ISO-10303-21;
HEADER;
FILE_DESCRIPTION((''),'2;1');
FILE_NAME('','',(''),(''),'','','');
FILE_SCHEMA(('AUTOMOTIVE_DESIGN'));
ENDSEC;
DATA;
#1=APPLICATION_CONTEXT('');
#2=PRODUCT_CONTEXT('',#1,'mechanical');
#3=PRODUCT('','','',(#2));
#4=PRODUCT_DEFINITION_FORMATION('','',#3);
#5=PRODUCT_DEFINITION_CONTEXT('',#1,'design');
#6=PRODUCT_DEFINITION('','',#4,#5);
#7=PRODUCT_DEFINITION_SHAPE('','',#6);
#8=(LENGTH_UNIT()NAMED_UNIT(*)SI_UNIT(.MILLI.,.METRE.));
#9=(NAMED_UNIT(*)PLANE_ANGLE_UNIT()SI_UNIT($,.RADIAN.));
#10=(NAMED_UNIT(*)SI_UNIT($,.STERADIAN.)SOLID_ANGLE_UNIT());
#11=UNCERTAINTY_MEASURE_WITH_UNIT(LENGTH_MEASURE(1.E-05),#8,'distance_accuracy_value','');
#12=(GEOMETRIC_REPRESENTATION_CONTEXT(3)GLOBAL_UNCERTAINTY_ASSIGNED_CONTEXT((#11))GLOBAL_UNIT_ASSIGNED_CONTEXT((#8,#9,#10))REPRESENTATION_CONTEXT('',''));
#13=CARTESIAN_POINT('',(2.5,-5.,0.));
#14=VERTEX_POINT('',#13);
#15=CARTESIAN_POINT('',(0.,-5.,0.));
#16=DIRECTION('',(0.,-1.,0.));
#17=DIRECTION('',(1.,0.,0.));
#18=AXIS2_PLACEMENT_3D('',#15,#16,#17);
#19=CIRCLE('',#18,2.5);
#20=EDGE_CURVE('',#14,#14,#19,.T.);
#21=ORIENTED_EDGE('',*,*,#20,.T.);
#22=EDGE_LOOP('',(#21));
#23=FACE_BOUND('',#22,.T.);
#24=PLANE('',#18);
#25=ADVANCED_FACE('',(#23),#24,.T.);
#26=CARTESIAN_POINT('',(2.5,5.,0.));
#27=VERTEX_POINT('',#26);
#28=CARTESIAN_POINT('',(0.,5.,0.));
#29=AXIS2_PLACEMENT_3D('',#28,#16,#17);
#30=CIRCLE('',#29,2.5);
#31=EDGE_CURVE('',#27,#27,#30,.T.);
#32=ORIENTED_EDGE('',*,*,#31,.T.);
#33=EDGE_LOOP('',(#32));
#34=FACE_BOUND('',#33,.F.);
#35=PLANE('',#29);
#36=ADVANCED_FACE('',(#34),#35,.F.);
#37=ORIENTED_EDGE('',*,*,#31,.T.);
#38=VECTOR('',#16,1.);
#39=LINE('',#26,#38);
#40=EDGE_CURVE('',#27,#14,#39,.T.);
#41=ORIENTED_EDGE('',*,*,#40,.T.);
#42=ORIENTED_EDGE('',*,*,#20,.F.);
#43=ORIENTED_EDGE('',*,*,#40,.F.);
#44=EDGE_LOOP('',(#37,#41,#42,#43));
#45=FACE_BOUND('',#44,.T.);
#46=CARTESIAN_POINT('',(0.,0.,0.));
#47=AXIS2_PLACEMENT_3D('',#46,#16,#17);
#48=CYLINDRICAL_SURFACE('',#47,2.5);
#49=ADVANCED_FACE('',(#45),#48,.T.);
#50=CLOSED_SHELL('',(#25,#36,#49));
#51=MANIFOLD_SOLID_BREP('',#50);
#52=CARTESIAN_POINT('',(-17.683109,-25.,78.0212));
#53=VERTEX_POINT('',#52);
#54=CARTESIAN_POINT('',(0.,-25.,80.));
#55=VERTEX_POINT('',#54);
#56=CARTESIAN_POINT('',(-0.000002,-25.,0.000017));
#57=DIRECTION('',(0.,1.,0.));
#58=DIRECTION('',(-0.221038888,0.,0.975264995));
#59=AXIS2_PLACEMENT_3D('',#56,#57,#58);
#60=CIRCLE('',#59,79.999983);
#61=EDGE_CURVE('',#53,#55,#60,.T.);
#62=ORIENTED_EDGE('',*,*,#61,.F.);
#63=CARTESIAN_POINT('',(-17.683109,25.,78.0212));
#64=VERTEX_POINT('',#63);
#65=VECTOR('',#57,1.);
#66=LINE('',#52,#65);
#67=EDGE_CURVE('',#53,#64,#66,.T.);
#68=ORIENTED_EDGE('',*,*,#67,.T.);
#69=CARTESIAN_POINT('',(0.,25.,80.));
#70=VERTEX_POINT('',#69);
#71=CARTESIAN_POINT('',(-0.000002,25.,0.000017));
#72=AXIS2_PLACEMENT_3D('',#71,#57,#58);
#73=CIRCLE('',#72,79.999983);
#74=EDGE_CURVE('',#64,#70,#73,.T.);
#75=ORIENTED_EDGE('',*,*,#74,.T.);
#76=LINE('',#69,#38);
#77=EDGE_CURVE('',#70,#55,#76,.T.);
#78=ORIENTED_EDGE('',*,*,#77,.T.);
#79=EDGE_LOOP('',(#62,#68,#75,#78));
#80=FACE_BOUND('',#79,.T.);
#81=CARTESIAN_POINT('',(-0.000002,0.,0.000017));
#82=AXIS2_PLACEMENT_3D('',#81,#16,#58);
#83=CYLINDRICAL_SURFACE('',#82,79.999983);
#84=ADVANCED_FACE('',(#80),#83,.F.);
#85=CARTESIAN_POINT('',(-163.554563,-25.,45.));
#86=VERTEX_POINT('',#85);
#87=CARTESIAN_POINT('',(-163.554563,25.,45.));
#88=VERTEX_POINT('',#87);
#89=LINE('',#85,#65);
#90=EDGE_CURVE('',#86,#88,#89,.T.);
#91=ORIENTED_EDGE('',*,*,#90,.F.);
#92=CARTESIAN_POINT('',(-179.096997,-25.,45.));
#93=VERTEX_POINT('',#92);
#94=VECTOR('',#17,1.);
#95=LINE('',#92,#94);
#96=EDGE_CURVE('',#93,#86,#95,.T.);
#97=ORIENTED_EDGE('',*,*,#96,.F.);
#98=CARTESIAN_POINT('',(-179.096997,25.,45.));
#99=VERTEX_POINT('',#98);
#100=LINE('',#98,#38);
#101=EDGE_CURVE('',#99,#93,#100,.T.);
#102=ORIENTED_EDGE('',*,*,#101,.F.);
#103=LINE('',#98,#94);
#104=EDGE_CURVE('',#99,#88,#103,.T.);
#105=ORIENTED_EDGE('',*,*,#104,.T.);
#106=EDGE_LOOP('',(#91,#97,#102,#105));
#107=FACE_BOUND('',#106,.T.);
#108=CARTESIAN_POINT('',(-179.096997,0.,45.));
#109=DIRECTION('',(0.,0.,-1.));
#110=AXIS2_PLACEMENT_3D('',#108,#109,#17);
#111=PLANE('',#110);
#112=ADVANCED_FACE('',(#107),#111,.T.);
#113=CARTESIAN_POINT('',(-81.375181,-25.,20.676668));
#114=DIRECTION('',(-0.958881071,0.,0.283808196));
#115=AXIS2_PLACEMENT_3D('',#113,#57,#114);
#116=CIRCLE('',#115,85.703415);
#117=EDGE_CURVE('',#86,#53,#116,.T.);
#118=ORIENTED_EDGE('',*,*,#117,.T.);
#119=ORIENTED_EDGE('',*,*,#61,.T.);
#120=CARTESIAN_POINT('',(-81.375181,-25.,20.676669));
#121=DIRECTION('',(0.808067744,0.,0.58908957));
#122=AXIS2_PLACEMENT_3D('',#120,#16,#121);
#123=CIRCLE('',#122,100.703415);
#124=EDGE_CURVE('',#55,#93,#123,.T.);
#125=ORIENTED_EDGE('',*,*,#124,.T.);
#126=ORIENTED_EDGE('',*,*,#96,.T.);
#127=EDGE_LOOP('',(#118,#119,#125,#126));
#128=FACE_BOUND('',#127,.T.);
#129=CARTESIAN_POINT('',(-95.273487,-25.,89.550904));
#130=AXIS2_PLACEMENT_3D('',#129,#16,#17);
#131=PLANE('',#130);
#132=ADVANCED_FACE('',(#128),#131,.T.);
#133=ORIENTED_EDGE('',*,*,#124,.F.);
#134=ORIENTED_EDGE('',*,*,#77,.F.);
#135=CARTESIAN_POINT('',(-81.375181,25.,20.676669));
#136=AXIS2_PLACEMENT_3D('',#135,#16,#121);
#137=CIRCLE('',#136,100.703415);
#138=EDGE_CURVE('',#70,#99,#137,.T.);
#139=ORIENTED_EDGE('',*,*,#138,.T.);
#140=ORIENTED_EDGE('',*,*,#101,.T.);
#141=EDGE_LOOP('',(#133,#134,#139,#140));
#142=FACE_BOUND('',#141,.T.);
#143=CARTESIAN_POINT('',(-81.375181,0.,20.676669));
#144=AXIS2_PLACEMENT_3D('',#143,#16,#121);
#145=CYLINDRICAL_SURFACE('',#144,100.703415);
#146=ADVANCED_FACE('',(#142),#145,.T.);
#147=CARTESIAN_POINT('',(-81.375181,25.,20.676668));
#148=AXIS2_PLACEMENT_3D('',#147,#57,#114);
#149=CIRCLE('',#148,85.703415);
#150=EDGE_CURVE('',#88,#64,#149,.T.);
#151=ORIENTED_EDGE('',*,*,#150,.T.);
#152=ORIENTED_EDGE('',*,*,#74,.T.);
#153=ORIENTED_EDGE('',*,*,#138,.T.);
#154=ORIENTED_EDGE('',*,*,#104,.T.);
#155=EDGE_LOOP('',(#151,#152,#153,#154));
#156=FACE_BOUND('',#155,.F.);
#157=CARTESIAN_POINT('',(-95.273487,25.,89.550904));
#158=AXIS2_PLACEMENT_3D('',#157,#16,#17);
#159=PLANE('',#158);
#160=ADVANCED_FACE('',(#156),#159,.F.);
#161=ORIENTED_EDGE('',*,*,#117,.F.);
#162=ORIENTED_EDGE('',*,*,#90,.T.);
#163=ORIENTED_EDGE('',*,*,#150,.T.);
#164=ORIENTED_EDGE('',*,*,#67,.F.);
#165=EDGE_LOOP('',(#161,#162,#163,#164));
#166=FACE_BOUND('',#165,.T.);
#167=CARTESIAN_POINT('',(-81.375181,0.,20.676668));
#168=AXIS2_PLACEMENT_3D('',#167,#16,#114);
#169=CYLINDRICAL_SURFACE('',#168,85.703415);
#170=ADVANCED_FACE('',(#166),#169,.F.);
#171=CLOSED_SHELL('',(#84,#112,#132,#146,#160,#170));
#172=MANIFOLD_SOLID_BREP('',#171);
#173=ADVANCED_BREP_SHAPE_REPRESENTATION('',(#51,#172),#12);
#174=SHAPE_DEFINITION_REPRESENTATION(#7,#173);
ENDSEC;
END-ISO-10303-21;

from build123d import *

# Parameters (mm, degrees)
F1_DEPTH = 25
F2_R     = 2.5
F3_DEPTH = 5


with BuildPart() as f1:
    # F0 (on Front) → F1 (new body, symmetric)
    with BuildSketch(Plane.XZ):
        with BuildLine():
            ThreePointArc((-17.683109, 78.0212), (-8.896741, 79.503761), (0, 80))
            ThreePointArc((0, 80), (-100.689764, 119.510492), (-179.096997, 45))
            Line((-179.096997, 45), (-163.554563, 45))
            ThreePointArc((-163.554563, 45), (-100.29726, 104.265126), (-17.683109, 78.0212))
        make_face()
    extrude(amount=F1_DEPTH, both=True)


with BuildPart() as f3:
    # F2 (on Front) → F3 (new body, symmetric)
    with BuildSketch(Plane.XZ):
        Circle(F2_R)
    extrude(amount=F3_DEPTH, both=True)


solid = Compound([f1.part, f3.part])
